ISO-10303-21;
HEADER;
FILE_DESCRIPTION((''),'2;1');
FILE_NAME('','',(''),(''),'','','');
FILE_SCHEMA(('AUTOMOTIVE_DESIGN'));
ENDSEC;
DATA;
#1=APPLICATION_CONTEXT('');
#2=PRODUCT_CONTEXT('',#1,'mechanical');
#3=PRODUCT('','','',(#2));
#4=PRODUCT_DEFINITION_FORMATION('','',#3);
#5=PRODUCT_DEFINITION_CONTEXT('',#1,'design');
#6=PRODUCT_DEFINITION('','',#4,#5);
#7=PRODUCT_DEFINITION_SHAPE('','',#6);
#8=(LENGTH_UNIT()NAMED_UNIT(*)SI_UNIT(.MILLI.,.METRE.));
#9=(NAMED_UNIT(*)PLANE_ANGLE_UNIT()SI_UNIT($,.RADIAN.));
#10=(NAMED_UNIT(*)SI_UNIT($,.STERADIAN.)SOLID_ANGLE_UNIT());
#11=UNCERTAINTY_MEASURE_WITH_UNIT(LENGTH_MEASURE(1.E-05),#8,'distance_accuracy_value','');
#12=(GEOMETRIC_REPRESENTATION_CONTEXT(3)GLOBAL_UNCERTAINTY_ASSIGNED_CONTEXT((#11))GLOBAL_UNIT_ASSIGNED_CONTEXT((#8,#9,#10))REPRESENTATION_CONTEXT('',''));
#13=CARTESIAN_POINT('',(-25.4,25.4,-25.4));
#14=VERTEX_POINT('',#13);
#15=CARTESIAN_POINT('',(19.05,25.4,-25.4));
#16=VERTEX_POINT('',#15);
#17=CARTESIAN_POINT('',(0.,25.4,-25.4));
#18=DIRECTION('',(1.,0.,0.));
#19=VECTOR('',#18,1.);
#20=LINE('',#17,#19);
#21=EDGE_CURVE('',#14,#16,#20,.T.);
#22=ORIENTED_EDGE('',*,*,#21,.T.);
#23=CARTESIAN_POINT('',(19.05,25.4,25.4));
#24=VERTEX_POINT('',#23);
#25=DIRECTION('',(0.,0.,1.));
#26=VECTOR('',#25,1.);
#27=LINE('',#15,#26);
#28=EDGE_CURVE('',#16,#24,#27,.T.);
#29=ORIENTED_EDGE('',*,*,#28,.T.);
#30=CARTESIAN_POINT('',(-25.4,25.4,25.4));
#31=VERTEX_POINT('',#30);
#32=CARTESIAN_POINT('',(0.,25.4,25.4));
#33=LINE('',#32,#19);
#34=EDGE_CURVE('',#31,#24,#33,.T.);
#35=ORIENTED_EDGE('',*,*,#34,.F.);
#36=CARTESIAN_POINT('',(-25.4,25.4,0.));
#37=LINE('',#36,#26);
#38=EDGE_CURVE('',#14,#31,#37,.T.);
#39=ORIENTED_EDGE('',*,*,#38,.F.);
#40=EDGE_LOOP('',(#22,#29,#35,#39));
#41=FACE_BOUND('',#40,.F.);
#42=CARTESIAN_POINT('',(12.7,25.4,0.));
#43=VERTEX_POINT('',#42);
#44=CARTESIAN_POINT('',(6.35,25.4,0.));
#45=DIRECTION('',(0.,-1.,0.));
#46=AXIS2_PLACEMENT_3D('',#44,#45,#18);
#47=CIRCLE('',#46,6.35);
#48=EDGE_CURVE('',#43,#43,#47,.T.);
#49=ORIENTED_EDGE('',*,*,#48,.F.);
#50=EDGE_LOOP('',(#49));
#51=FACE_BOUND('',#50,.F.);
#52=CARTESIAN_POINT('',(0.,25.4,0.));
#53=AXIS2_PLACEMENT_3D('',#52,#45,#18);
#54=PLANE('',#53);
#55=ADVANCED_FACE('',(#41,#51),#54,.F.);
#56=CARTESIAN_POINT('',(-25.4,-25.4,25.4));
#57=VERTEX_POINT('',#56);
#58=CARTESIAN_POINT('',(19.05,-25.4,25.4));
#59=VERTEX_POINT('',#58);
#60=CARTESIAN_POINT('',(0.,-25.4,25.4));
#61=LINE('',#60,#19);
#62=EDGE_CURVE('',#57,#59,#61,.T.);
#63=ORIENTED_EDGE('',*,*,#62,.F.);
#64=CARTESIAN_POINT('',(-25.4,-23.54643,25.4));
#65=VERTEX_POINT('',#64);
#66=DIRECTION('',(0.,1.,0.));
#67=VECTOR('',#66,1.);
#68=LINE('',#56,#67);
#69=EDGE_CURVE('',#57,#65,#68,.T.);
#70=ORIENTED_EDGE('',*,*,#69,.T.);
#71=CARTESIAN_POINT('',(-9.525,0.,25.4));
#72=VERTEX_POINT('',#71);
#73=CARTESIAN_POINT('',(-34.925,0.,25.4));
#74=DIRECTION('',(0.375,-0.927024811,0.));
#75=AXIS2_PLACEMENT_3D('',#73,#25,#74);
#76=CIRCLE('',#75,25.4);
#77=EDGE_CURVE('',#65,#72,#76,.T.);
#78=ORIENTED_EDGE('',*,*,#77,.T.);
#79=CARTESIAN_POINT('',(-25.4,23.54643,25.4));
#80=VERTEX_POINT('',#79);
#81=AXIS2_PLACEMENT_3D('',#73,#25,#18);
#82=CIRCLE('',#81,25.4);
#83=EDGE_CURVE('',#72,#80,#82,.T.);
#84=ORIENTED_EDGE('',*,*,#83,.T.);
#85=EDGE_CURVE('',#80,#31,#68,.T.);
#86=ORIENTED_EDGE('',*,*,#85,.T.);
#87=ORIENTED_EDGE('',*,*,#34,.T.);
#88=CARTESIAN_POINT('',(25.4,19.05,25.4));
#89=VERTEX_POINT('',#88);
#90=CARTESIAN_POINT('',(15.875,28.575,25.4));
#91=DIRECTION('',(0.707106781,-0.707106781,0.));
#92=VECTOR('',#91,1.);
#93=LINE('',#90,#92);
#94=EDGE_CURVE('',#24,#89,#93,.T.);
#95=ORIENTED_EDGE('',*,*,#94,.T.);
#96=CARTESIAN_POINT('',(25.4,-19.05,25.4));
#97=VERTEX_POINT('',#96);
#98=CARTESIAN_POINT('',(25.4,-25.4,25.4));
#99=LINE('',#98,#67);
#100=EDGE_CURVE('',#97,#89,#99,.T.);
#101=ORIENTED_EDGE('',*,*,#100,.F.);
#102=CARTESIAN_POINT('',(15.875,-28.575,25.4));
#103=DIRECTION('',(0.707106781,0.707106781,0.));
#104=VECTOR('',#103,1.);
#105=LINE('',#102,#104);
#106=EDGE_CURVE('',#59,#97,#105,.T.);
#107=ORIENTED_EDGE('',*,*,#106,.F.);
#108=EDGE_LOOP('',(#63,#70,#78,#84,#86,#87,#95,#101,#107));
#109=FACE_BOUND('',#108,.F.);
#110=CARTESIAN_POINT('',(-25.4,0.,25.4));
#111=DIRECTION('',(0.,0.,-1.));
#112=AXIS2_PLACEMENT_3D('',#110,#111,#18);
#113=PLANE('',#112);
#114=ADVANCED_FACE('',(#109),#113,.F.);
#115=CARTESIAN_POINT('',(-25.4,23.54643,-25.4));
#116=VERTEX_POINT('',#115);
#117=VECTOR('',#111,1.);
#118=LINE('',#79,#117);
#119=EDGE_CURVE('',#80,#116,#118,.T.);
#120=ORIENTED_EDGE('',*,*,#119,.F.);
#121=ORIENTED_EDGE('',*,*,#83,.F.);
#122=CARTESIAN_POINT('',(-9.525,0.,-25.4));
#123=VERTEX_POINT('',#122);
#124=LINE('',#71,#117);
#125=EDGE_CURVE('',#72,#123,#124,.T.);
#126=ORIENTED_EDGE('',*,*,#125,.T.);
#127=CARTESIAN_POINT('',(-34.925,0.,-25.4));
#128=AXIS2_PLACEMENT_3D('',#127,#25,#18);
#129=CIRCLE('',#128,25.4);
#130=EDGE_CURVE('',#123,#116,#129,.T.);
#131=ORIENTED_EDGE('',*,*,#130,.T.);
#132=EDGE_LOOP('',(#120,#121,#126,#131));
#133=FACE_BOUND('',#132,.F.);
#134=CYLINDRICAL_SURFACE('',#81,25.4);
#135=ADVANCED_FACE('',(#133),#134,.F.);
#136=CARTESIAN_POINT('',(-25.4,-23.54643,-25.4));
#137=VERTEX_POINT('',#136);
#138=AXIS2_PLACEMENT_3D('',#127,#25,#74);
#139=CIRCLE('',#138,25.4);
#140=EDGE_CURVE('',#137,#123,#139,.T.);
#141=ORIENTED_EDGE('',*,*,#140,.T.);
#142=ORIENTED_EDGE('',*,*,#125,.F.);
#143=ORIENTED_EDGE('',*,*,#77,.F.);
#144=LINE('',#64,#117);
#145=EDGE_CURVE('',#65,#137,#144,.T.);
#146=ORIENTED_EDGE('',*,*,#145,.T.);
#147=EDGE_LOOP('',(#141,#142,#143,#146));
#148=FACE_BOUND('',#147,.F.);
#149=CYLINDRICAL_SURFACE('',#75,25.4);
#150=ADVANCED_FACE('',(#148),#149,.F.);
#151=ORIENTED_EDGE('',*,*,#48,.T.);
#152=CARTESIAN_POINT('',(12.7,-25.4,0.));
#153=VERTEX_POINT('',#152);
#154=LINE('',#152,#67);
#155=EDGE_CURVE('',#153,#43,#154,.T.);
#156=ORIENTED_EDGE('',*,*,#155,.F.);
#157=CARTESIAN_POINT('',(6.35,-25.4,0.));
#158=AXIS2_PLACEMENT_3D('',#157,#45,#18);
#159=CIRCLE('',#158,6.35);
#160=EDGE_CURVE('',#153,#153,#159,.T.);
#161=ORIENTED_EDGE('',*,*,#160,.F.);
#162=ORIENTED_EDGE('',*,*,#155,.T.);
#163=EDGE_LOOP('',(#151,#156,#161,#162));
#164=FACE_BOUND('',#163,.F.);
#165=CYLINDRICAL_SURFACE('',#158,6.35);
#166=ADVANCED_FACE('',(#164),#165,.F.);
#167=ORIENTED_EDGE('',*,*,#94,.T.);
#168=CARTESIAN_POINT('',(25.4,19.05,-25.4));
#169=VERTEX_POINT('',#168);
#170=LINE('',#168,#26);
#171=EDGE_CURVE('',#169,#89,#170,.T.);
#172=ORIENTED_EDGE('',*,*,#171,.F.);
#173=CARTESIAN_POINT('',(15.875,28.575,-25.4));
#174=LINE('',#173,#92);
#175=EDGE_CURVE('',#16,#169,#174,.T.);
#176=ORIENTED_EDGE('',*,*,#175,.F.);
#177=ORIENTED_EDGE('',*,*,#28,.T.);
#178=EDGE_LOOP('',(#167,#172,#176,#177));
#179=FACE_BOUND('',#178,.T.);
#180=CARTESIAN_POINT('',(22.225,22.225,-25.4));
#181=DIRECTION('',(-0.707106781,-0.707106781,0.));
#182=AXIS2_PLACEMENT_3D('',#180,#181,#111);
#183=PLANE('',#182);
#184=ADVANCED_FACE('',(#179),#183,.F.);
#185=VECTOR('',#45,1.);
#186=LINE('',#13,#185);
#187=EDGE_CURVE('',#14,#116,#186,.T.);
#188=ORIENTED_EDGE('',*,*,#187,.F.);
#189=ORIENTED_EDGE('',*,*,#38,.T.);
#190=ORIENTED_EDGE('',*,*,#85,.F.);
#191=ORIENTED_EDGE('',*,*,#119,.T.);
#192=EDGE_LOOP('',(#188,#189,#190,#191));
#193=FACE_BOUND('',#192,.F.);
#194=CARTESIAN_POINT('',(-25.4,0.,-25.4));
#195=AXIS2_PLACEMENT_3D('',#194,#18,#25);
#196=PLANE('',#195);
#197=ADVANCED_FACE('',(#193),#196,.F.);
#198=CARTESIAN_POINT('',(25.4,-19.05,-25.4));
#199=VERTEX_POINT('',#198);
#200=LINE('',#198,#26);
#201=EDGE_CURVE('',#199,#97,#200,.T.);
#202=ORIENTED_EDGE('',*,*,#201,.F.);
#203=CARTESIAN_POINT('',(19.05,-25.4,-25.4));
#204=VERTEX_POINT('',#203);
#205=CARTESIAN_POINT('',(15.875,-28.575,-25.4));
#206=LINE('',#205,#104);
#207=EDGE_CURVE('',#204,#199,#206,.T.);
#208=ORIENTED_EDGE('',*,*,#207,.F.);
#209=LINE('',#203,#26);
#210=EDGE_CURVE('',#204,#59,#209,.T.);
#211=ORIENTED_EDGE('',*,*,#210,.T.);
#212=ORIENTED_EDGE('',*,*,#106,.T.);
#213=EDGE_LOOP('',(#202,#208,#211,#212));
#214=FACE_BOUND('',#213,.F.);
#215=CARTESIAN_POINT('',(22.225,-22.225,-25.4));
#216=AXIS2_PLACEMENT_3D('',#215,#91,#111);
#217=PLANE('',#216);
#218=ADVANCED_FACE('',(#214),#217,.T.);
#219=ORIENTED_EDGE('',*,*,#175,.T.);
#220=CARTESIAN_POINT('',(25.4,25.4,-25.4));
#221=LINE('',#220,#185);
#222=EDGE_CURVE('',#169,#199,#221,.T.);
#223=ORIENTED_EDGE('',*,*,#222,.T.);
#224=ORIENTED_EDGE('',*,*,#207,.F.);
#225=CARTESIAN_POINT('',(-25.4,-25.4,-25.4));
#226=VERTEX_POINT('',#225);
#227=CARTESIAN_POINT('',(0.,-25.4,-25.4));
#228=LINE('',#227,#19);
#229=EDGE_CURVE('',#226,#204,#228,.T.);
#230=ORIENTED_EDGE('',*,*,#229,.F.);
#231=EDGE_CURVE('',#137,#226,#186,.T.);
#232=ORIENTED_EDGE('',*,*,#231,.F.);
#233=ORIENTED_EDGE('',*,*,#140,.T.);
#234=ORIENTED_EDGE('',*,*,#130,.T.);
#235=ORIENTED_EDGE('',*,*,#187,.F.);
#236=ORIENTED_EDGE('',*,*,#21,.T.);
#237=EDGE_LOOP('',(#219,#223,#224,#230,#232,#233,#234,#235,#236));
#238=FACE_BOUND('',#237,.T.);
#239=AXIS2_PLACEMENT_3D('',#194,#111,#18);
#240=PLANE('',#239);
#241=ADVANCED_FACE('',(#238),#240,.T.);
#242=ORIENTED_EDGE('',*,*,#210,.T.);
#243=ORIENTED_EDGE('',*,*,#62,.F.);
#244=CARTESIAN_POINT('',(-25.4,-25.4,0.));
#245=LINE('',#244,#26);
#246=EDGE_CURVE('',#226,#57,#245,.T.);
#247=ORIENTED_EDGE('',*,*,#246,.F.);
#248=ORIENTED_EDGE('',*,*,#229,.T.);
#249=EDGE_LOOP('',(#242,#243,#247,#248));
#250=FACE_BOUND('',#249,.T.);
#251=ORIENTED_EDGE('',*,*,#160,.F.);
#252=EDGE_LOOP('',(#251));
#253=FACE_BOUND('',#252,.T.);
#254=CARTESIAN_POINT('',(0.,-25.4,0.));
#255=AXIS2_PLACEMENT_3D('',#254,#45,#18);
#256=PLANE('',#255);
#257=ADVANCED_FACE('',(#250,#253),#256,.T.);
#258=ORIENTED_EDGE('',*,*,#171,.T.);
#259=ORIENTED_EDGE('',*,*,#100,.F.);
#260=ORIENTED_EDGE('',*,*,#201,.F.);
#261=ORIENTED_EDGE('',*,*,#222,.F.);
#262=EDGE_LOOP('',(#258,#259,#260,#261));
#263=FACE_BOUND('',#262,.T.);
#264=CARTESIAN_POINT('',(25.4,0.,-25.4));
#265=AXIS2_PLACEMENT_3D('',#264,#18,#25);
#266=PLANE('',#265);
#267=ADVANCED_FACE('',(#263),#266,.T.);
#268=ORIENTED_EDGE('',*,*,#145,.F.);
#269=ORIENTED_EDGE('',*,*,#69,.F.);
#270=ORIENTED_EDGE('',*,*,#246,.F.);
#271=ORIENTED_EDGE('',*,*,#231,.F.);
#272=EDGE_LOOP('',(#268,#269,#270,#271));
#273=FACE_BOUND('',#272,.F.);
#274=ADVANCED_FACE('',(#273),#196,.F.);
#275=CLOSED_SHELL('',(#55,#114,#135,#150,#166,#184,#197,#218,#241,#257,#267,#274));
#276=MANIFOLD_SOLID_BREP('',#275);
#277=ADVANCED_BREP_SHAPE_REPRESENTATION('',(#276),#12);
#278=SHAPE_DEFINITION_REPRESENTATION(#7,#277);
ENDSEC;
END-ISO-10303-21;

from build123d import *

# Parameters (mm, degrees)
F0_W     = 50.8
F0_H     = 50.8
F1_DEPTH = 25.4
F3_DEPTH = 50.8
F4_SIZE  = 6.35
F5_R     = 6.35
F6_DEPTH = 50.801


with BuildPart() as f1:
    # F0 (on Front) → F1 (new body, symmetric)
    with BuildSketch(Plane.XZ):
        Rectangle(F0_W, F0_H)
    extrude(amount=F1_DEPTH, both=True)

    # F2 (on face) → F3 (cut)
    with BuildSketch(Plane.XY.offset(25.4)):
        with BuildLine():
            ThreePointArc((-25.4, -23.5464301965), (-13.8644325812, -14.1990316571), (-9.525, 0))
            ThreePointArc((-9.525, 0), (-13.8644325812, 14.1990316571), (-25.4, 23.5464301965))
            Line((-25.4, 23.5464301965), (-25.4, -23.5464301965))
        make_face()
    extrude(amount=-F3_DEPTH, mode=Mode.SUBTRACT)

    # F4
    f4_edges = [f1.edges().sort_by_distance(p)[0] for p in [
        (25.4, -25.4, 0),
        (25.4, 25.4, 0),
    ]]
    chamfer(f4_edges, length=F4_SIZE)

    # F5 (on face) → F6 (cut, through all)
    with BuildSketch(Plane.XZ.offset(25.4)):
        with Locations((6.35, 0)):
            Circle(F5_R)
    extrude(amount=-F6_DEPTH, mode=Mode.SUBTRACT)


solid = f1.part
